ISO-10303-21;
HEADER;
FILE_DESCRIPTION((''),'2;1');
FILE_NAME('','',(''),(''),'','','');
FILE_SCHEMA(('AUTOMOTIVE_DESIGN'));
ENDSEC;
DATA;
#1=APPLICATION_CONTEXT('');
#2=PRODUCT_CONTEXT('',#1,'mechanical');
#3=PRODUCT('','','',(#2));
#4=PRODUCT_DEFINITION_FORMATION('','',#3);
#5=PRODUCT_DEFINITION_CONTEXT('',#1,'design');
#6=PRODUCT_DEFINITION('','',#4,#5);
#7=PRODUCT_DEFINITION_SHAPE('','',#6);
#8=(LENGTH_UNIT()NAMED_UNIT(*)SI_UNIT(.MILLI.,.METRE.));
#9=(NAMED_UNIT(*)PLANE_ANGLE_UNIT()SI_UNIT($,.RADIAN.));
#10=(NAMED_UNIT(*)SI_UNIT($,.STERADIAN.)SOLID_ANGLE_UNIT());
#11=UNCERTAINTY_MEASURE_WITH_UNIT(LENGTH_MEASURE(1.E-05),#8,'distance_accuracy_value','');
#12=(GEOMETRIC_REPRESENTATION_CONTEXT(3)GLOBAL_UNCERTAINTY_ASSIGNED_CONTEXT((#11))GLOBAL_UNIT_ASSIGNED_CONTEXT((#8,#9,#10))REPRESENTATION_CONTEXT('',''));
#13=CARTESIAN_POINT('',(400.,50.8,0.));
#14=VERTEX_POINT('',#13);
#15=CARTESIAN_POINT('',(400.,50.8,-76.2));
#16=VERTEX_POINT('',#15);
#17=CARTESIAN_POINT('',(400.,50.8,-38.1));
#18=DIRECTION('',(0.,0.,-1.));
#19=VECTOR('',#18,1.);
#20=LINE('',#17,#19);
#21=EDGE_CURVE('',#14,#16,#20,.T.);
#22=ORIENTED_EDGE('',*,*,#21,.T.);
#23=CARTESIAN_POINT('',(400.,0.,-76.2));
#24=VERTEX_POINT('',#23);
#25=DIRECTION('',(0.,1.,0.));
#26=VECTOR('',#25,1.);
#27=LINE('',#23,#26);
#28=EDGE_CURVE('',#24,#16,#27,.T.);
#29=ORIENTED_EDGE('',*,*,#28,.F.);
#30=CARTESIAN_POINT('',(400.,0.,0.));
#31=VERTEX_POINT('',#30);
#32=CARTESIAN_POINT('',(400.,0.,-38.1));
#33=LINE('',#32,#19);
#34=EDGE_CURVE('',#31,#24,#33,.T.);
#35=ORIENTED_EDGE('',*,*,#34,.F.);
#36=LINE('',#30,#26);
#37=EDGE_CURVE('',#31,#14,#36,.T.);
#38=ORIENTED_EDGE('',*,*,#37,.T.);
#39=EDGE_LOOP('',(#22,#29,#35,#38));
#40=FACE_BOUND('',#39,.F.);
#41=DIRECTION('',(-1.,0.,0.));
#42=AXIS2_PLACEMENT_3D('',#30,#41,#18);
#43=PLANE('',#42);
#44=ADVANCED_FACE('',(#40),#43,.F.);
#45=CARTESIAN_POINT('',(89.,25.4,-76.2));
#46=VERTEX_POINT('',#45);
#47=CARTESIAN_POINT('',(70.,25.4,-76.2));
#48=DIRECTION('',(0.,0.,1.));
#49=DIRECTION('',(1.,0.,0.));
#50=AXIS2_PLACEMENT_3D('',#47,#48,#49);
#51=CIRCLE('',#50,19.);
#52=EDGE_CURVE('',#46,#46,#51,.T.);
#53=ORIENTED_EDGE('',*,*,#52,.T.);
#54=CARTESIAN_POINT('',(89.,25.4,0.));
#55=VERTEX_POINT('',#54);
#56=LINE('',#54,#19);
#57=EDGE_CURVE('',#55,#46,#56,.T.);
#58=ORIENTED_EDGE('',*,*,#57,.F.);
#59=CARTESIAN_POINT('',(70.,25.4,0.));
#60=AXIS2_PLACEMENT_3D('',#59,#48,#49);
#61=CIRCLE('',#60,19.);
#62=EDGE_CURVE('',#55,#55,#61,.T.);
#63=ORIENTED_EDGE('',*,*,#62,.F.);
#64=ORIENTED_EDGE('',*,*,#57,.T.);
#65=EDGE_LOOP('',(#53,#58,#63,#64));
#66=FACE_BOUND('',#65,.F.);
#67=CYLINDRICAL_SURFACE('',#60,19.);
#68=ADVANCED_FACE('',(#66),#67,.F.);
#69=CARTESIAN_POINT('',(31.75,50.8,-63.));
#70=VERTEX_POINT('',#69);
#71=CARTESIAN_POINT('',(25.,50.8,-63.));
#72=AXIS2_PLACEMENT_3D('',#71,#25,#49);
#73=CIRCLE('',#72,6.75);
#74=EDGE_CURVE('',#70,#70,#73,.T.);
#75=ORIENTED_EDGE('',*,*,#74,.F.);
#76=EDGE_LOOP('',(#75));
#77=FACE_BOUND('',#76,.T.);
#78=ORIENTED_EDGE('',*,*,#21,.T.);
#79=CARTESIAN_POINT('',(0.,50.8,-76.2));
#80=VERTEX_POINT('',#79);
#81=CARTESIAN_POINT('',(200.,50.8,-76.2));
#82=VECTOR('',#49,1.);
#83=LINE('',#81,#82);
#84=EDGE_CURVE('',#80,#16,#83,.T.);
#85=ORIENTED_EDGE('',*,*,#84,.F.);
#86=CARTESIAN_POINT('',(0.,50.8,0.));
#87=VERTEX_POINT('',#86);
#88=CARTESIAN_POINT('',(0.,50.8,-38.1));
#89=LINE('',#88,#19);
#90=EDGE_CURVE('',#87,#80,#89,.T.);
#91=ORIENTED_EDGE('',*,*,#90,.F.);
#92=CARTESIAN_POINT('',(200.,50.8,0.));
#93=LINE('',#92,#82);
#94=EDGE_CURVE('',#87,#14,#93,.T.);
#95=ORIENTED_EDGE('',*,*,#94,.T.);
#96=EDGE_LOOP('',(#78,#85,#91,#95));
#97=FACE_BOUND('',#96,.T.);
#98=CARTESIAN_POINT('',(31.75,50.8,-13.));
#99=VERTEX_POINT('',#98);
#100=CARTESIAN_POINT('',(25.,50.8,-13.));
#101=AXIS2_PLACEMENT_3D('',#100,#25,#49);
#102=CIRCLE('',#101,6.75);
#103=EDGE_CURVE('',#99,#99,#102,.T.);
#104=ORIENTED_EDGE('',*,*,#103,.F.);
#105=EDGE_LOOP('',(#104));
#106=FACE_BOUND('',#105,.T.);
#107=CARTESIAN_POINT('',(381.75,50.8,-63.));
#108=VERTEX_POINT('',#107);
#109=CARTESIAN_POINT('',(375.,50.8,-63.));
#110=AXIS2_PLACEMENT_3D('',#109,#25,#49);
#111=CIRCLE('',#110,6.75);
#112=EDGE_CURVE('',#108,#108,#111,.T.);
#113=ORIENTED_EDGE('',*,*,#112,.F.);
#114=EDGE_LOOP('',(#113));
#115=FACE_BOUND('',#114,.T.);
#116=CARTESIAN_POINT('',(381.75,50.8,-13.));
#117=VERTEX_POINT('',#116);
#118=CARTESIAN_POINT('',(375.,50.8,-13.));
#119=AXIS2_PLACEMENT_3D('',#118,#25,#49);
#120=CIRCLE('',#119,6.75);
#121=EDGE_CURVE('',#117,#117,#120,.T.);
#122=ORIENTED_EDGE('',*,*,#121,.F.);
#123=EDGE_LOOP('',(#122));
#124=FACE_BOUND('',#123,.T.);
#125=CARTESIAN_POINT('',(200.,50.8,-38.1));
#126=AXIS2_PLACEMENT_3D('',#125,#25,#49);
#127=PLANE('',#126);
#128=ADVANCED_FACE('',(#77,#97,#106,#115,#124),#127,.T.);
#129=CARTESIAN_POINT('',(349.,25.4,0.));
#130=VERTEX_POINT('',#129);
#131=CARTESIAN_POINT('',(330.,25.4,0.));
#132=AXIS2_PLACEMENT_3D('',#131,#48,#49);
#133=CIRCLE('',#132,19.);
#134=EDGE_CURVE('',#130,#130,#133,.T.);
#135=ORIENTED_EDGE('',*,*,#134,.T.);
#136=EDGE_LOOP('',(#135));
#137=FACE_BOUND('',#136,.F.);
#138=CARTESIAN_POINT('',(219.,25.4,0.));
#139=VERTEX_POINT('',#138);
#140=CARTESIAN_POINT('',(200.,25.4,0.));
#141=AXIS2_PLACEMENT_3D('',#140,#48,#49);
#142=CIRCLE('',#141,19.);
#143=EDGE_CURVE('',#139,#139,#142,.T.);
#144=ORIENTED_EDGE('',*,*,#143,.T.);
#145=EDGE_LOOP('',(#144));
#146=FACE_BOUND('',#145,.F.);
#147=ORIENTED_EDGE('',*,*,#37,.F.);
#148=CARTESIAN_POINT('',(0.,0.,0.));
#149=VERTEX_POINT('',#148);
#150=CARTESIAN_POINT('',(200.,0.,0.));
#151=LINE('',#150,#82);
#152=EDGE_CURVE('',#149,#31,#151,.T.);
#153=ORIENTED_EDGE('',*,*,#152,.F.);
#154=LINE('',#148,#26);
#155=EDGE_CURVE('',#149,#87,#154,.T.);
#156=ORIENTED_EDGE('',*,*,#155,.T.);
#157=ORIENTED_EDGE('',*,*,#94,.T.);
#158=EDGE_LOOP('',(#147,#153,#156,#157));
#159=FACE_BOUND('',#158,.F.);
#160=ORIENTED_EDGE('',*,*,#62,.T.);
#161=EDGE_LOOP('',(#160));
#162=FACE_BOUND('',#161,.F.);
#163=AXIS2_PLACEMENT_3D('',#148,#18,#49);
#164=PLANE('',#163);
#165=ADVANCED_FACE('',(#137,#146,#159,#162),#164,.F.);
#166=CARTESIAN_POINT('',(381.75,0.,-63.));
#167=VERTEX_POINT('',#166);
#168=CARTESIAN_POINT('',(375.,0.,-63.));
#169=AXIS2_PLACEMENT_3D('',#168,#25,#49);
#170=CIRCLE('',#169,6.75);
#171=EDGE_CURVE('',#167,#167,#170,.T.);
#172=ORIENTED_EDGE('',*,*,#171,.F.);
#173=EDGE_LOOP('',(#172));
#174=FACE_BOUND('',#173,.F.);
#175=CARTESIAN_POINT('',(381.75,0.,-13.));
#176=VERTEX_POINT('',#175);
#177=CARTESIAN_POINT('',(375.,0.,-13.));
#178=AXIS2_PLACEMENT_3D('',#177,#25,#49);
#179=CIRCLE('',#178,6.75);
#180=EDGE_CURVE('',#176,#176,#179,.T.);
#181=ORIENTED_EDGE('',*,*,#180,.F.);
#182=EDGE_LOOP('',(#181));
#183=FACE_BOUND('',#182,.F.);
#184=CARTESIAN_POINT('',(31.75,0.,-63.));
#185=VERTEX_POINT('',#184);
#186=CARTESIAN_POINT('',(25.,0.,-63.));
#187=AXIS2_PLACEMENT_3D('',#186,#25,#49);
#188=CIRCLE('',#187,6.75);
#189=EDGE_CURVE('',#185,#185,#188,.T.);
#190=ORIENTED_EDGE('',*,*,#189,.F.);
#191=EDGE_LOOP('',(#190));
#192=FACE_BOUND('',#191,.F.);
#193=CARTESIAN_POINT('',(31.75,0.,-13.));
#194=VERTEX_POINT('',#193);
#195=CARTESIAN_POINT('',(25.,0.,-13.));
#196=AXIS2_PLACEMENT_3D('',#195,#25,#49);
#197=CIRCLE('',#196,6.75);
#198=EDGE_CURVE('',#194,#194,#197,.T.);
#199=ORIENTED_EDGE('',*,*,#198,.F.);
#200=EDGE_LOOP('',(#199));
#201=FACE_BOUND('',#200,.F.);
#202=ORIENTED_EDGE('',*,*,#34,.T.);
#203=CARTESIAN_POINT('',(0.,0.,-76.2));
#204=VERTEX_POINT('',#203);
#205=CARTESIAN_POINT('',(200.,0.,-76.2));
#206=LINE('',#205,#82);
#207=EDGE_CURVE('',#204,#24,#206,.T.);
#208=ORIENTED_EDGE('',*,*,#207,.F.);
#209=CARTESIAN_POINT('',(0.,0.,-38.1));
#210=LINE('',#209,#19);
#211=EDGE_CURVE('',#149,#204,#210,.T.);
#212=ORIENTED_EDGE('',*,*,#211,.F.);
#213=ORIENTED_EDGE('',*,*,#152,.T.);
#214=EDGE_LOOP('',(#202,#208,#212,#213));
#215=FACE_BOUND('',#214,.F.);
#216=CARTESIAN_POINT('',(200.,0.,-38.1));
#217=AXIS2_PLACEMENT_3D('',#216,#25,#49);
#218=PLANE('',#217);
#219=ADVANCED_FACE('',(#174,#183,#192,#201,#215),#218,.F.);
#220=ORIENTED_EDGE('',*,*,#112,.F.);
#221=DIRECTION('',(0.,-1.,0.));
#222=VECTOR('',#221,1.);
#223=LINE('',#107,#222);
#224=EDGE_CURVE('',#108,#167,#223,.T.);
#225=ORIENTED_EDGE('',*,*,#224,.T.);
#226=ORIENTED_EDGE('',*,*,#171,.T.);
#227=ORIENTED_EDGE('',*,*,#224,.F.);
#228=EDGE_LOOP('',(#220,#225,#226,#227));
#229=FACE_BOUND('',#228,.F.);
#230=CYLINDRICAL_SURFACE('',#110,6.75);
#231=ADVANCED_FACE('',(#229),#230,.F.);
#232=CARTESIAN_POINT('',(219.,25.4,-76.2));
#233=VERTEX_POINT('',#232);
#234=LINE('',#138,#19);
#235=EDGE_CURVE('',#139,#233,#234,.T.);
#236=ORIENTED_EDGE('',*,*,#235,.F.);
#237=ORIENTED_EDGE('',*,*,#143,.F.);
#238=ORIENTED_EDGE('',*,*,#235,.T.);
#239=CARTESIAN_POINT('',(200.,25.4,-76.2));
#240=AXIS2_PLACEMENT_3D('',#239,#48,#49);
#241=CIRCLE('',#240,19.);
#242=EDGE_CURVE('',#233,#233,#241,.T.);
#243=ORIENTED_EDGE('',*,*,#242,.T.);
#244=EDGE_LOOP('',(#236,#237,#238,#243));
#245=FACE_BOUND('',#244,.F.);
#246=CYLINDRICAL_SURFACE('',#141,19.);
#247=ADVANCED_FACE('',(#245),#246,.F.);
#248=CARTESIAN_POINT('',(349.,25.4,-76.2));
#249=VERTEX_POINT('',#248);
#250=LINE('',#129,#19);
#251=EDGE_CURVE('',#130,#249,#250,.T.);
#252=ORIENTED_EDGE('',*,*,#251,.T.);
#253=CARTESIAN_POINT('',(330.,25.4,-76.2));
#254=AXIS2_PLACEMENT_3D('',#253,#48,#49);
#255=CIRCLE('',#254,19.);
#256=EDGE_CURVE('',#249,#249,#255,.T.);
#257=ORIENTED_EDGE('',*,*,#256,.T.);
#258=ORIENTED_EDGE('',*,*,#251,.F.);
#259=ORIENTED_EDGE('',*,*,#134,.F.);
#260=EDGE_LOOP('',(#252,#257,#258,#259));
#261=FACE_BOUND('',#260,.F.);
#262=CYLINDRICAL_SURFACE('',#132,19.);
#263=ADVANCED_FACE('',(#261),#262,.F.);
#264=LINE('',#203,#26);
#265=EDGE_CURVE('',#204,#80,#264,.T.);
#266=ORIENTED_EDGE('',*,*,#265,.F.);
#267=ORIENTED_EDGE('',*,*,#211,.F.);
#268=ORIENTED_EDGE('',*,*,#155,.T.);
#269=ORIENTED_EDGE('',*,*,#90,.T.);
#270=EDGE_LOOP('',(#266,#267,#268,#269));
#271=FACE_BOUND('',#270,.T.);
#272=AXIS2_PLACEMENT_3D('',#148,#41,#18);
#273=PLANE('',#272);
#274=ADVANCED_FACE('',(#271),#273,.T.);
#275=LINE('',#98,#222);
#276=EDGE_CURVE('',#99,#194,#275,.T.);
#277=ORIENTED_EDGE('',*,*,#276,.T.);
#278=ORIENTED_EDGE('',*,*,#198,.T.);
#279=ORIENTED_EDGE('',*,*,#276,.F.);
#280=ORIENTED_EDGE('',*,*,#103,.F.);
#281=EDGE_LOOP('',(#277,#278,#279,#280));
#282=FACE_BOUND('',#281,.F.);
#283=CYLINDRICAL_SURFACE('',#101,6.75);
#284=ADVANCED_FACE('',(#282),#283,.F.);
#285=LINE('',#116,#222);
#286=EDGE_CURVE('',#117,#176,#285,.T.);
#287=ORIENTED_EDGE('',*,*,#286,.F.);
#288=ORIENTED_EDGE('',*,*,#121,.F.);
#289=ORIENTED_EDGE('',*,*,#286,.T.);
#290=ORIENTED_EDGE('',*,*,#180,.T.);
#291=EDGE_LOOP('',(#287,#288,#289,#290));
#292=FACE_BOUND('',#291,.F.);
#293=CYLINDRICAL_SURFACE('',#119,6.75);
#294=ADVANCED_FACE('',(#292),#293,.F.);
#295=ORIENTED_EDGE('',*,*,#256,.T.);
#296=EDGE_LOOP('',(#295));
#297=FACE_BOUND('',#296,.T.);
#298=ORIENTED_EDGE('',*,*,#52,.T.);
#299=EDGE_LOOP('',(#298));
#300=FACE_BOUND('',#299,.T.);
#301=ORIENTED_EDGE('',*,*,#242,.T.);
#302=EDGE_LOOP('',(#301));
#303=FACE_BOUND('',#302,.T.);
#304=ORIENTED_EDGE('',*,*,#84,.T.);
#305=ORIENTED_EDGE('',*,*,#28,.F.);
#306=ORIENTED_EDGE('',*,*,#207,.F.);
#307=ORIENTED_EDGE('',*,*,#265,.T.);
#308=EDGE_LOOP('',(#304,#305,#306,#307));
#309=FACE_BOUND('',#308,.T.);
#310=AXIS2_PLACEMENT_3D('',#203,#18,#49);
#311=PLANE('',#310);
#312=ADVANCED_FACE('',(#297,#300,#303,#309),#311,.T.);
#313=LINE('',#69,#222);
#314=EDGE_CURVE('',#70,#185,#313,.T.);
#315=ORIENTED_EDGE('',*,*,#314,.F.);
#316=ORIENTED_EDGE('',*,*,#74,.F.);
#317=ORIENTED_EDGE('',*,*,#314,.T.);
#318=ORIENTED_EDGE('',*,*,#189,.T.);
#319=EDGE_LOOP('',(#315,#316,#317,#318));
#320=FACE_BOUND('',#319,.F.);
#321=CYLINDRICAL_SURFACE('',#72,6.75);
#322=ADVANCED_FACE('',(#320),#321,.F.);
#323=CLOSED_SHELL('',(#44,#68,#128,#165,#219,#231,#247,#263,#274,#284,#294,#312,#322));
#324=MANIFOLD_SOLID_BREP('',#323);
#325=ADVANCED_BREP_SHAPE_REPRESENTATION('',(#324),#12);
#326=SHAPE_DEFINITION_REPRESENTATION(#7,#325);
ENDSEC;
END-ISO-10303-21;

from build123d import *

# Parameters (mm, degrees)
SKETCH1_W           = 400
SKETCH1_H           = 76.2
BOSS_EXTRUDE1_DEPTH = 50.8
SKETCH3_R           = 6.75
CUT_EXTRUDE2_DEPTH  = 50.8
SKETCH5_R           = 19
CUT_EXTRUDE3_DEPTH  = 77.2


with BuildPart() as part:
    # Sketch1 → Boss-Extrude1 (new body)
    with BuildSketch(Plane(origin=(0, 0, 0), x_dir=(1, 0, 0), z_dir=(0, 1, 0))):
        with Locations((200, 38.1)):
            Rectangle(SKETCH1_W, SKETCH1_H)
    extrude(amount=BOSS_EXTRUDE1_DEPTH)

    # Sketch3 → Cut-Extrude2 (cut)
    with BuildSketch(Plane(origin=(0, 50.8, 0), x_dir=(1, 0, 0), z_dir=(0, 1, 0))):
        with Locations((25, 63)):
            Circle(SKETCH3_R)
        with Locations((25, 13)):
            Circle(SKETCH3_R)
        with Locations((375, 63)):
            Circle(SKETCH3_R)
        with Locations((375, 13)):
            Circle(SKETCH3_R)
    extrude(amount=-CUT_EXTRUDE2_DEPTH, mode=Mode.SUBTRACT)

    # Sketch5 → Cut-Extrude3 (cut, through all)
    with BuildSketch(Plane.XY):
        with Locations((200, 25.4)):
            Circle(SKETCH5_R)
        with Locations((70, 25.4)):
            Circle(SKETCH5_R)
        with Locations((330, 25.4)):
            Circle(SKETCH5_R)
    extrude(amount=-CUT_EXTRUDE3_DEPTH, mode=Mode.SUBTRACT)


solid = part.part
